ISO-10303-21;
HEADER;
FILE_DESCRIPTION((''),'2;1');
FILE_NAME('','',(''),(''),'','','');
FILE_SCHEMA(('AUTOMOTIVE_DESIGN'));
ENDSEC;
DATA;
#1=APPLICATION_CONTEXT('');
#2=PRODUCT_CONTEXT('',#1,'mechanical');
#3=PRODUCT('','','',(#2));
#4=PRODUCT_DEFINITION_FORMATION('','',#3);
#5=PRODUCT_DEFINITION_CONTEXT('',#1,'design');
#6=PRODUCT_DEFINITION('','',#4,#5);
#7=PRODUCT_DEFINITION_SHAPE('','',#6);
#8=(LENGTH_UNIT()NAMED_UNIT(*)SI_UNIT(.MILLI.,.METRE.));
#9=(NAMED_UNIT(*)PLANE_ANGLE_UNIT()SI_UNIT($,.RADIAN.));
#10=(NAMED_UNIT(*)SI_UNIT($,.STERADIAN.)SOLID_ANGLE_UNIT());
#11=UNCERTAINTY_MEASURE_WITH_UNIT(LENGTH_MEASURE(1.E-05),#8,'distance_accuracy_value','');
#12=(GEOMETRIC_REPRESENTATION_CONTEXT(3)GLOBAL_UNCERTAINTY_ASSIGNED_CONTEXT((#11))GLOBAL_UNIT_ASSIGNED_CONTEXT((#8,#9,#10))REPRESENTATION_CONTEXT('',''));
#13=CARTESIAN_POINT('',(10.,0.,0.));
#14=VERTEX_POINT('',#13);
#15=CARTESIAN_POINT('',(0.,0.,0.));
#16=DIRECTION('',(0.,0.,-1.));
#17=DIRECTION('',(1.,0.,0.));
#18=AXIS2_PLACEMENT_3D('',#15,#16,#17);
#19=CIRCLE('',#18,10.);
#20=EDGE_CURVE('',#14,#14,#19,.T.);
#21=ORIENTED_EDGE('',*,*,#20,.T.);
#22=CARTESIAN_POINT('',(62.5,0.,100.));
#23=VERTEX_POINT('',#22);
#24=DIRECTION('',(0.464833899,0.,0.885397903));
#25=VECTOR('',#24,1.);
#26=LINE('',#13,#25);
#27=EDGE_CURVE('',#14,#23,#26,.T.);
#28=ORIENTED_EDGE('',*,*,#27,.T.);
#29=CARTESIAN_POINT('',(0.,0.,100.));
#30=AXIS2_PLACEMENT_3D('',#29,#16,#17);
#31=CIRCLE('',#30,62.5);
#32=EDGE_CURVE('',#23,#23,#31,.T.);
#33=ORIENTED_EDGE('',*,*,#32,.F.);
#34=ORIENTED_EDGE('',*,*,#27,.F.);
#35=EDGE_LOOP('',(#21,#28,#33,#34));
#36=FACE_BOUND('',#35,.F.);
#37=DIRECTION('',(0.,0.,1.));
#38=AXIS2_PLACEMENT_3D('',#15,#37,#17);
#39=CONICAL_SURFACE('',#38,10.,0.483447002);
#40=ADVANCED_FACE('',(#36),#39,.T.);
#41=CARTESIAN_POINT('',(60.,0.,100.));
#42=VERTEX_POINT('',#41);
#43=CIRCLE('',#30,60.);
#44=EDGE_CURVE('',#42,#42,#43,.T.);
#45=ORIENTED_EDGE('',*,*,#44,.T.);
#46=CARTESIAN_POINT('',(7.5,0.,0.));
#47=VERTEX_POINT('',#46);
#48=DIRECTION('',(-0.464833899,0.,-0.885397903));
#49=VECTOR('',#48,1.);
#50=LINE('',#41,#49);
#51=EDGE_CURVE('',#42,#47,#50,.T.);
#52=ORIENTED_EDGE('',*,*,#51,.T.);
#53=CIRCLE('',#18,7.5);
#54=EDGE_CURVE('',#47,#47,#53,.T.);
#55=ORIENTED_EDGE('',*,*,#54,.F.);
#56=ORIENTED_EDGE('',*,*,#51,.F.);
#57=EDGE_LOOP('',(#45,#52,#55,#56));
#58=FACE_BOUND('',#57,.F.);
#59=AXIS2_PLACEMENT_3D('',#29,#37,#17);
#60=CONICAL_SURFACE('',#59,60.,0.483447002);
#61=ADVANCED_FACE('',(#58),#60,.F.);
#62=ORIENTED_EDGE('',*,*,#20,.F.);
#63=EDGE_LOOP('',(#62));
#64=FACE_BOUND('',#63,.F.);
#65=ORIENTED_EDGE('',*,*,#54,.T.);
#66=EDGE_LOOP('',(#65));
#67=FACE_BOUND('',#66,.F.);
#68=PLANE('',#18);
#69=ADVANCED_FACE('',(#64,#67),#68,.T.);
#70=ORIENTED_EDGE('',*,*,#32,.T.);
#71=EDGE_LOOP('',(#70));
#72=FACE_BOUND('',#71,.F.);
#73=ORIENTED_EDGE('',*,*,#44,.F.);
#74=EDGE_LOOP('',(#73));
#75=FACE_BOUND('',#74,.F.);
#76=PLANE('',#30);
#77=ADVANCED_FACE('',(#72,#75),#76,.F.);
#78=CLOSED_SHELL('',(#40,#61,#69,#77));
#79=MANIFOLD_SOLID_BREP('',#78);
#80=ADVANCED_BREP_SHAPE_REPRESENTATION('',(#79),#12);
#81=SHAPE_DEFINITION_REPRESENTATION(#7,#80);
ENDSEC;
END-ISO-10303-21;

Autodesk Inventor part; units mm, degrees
ref_plane "YZ Plane" through (0, 0, 0) normal (1, 0, 0) x (0, 1, 0)
ref_plane "XZ Plane" through (0, 0, 0) normal (0, 1, 0) x (-1, 0, 0)
ref_plane "XY Plane" through (0, 0, 0) normal (0, 0, 1) x (1, 0, 0)
sketch "Skizze2" plane through (0, 0, 0) normal (0, 1, 0) x (-1, 0, 0)
  line L0 (0, 68.6607) -> (0, -20.1415)
  line L1 (-5, 0) -> (-10, 0)
  line L2 (-10, 0) -> (-62.5, 100)
  line L3 (-62.5, 100) -> (-60, 100)
  line L4 (-60, 100) -> (-7.5, 0)
  line L5 (0, -44.1698) -> (0, 124.0283) projected
  point P0 (0, 0)
  dimension "d2" = 15
  dimension "d3" = 20
  dimension "d4" = 100
  dimension "d5" = 120
revolve "Umdrehung1" add sketch "Skizze2" angle 360 about axis through (0, 0, 68.6607) along (0, 0, -1)
properties part number "Speicher_1"
